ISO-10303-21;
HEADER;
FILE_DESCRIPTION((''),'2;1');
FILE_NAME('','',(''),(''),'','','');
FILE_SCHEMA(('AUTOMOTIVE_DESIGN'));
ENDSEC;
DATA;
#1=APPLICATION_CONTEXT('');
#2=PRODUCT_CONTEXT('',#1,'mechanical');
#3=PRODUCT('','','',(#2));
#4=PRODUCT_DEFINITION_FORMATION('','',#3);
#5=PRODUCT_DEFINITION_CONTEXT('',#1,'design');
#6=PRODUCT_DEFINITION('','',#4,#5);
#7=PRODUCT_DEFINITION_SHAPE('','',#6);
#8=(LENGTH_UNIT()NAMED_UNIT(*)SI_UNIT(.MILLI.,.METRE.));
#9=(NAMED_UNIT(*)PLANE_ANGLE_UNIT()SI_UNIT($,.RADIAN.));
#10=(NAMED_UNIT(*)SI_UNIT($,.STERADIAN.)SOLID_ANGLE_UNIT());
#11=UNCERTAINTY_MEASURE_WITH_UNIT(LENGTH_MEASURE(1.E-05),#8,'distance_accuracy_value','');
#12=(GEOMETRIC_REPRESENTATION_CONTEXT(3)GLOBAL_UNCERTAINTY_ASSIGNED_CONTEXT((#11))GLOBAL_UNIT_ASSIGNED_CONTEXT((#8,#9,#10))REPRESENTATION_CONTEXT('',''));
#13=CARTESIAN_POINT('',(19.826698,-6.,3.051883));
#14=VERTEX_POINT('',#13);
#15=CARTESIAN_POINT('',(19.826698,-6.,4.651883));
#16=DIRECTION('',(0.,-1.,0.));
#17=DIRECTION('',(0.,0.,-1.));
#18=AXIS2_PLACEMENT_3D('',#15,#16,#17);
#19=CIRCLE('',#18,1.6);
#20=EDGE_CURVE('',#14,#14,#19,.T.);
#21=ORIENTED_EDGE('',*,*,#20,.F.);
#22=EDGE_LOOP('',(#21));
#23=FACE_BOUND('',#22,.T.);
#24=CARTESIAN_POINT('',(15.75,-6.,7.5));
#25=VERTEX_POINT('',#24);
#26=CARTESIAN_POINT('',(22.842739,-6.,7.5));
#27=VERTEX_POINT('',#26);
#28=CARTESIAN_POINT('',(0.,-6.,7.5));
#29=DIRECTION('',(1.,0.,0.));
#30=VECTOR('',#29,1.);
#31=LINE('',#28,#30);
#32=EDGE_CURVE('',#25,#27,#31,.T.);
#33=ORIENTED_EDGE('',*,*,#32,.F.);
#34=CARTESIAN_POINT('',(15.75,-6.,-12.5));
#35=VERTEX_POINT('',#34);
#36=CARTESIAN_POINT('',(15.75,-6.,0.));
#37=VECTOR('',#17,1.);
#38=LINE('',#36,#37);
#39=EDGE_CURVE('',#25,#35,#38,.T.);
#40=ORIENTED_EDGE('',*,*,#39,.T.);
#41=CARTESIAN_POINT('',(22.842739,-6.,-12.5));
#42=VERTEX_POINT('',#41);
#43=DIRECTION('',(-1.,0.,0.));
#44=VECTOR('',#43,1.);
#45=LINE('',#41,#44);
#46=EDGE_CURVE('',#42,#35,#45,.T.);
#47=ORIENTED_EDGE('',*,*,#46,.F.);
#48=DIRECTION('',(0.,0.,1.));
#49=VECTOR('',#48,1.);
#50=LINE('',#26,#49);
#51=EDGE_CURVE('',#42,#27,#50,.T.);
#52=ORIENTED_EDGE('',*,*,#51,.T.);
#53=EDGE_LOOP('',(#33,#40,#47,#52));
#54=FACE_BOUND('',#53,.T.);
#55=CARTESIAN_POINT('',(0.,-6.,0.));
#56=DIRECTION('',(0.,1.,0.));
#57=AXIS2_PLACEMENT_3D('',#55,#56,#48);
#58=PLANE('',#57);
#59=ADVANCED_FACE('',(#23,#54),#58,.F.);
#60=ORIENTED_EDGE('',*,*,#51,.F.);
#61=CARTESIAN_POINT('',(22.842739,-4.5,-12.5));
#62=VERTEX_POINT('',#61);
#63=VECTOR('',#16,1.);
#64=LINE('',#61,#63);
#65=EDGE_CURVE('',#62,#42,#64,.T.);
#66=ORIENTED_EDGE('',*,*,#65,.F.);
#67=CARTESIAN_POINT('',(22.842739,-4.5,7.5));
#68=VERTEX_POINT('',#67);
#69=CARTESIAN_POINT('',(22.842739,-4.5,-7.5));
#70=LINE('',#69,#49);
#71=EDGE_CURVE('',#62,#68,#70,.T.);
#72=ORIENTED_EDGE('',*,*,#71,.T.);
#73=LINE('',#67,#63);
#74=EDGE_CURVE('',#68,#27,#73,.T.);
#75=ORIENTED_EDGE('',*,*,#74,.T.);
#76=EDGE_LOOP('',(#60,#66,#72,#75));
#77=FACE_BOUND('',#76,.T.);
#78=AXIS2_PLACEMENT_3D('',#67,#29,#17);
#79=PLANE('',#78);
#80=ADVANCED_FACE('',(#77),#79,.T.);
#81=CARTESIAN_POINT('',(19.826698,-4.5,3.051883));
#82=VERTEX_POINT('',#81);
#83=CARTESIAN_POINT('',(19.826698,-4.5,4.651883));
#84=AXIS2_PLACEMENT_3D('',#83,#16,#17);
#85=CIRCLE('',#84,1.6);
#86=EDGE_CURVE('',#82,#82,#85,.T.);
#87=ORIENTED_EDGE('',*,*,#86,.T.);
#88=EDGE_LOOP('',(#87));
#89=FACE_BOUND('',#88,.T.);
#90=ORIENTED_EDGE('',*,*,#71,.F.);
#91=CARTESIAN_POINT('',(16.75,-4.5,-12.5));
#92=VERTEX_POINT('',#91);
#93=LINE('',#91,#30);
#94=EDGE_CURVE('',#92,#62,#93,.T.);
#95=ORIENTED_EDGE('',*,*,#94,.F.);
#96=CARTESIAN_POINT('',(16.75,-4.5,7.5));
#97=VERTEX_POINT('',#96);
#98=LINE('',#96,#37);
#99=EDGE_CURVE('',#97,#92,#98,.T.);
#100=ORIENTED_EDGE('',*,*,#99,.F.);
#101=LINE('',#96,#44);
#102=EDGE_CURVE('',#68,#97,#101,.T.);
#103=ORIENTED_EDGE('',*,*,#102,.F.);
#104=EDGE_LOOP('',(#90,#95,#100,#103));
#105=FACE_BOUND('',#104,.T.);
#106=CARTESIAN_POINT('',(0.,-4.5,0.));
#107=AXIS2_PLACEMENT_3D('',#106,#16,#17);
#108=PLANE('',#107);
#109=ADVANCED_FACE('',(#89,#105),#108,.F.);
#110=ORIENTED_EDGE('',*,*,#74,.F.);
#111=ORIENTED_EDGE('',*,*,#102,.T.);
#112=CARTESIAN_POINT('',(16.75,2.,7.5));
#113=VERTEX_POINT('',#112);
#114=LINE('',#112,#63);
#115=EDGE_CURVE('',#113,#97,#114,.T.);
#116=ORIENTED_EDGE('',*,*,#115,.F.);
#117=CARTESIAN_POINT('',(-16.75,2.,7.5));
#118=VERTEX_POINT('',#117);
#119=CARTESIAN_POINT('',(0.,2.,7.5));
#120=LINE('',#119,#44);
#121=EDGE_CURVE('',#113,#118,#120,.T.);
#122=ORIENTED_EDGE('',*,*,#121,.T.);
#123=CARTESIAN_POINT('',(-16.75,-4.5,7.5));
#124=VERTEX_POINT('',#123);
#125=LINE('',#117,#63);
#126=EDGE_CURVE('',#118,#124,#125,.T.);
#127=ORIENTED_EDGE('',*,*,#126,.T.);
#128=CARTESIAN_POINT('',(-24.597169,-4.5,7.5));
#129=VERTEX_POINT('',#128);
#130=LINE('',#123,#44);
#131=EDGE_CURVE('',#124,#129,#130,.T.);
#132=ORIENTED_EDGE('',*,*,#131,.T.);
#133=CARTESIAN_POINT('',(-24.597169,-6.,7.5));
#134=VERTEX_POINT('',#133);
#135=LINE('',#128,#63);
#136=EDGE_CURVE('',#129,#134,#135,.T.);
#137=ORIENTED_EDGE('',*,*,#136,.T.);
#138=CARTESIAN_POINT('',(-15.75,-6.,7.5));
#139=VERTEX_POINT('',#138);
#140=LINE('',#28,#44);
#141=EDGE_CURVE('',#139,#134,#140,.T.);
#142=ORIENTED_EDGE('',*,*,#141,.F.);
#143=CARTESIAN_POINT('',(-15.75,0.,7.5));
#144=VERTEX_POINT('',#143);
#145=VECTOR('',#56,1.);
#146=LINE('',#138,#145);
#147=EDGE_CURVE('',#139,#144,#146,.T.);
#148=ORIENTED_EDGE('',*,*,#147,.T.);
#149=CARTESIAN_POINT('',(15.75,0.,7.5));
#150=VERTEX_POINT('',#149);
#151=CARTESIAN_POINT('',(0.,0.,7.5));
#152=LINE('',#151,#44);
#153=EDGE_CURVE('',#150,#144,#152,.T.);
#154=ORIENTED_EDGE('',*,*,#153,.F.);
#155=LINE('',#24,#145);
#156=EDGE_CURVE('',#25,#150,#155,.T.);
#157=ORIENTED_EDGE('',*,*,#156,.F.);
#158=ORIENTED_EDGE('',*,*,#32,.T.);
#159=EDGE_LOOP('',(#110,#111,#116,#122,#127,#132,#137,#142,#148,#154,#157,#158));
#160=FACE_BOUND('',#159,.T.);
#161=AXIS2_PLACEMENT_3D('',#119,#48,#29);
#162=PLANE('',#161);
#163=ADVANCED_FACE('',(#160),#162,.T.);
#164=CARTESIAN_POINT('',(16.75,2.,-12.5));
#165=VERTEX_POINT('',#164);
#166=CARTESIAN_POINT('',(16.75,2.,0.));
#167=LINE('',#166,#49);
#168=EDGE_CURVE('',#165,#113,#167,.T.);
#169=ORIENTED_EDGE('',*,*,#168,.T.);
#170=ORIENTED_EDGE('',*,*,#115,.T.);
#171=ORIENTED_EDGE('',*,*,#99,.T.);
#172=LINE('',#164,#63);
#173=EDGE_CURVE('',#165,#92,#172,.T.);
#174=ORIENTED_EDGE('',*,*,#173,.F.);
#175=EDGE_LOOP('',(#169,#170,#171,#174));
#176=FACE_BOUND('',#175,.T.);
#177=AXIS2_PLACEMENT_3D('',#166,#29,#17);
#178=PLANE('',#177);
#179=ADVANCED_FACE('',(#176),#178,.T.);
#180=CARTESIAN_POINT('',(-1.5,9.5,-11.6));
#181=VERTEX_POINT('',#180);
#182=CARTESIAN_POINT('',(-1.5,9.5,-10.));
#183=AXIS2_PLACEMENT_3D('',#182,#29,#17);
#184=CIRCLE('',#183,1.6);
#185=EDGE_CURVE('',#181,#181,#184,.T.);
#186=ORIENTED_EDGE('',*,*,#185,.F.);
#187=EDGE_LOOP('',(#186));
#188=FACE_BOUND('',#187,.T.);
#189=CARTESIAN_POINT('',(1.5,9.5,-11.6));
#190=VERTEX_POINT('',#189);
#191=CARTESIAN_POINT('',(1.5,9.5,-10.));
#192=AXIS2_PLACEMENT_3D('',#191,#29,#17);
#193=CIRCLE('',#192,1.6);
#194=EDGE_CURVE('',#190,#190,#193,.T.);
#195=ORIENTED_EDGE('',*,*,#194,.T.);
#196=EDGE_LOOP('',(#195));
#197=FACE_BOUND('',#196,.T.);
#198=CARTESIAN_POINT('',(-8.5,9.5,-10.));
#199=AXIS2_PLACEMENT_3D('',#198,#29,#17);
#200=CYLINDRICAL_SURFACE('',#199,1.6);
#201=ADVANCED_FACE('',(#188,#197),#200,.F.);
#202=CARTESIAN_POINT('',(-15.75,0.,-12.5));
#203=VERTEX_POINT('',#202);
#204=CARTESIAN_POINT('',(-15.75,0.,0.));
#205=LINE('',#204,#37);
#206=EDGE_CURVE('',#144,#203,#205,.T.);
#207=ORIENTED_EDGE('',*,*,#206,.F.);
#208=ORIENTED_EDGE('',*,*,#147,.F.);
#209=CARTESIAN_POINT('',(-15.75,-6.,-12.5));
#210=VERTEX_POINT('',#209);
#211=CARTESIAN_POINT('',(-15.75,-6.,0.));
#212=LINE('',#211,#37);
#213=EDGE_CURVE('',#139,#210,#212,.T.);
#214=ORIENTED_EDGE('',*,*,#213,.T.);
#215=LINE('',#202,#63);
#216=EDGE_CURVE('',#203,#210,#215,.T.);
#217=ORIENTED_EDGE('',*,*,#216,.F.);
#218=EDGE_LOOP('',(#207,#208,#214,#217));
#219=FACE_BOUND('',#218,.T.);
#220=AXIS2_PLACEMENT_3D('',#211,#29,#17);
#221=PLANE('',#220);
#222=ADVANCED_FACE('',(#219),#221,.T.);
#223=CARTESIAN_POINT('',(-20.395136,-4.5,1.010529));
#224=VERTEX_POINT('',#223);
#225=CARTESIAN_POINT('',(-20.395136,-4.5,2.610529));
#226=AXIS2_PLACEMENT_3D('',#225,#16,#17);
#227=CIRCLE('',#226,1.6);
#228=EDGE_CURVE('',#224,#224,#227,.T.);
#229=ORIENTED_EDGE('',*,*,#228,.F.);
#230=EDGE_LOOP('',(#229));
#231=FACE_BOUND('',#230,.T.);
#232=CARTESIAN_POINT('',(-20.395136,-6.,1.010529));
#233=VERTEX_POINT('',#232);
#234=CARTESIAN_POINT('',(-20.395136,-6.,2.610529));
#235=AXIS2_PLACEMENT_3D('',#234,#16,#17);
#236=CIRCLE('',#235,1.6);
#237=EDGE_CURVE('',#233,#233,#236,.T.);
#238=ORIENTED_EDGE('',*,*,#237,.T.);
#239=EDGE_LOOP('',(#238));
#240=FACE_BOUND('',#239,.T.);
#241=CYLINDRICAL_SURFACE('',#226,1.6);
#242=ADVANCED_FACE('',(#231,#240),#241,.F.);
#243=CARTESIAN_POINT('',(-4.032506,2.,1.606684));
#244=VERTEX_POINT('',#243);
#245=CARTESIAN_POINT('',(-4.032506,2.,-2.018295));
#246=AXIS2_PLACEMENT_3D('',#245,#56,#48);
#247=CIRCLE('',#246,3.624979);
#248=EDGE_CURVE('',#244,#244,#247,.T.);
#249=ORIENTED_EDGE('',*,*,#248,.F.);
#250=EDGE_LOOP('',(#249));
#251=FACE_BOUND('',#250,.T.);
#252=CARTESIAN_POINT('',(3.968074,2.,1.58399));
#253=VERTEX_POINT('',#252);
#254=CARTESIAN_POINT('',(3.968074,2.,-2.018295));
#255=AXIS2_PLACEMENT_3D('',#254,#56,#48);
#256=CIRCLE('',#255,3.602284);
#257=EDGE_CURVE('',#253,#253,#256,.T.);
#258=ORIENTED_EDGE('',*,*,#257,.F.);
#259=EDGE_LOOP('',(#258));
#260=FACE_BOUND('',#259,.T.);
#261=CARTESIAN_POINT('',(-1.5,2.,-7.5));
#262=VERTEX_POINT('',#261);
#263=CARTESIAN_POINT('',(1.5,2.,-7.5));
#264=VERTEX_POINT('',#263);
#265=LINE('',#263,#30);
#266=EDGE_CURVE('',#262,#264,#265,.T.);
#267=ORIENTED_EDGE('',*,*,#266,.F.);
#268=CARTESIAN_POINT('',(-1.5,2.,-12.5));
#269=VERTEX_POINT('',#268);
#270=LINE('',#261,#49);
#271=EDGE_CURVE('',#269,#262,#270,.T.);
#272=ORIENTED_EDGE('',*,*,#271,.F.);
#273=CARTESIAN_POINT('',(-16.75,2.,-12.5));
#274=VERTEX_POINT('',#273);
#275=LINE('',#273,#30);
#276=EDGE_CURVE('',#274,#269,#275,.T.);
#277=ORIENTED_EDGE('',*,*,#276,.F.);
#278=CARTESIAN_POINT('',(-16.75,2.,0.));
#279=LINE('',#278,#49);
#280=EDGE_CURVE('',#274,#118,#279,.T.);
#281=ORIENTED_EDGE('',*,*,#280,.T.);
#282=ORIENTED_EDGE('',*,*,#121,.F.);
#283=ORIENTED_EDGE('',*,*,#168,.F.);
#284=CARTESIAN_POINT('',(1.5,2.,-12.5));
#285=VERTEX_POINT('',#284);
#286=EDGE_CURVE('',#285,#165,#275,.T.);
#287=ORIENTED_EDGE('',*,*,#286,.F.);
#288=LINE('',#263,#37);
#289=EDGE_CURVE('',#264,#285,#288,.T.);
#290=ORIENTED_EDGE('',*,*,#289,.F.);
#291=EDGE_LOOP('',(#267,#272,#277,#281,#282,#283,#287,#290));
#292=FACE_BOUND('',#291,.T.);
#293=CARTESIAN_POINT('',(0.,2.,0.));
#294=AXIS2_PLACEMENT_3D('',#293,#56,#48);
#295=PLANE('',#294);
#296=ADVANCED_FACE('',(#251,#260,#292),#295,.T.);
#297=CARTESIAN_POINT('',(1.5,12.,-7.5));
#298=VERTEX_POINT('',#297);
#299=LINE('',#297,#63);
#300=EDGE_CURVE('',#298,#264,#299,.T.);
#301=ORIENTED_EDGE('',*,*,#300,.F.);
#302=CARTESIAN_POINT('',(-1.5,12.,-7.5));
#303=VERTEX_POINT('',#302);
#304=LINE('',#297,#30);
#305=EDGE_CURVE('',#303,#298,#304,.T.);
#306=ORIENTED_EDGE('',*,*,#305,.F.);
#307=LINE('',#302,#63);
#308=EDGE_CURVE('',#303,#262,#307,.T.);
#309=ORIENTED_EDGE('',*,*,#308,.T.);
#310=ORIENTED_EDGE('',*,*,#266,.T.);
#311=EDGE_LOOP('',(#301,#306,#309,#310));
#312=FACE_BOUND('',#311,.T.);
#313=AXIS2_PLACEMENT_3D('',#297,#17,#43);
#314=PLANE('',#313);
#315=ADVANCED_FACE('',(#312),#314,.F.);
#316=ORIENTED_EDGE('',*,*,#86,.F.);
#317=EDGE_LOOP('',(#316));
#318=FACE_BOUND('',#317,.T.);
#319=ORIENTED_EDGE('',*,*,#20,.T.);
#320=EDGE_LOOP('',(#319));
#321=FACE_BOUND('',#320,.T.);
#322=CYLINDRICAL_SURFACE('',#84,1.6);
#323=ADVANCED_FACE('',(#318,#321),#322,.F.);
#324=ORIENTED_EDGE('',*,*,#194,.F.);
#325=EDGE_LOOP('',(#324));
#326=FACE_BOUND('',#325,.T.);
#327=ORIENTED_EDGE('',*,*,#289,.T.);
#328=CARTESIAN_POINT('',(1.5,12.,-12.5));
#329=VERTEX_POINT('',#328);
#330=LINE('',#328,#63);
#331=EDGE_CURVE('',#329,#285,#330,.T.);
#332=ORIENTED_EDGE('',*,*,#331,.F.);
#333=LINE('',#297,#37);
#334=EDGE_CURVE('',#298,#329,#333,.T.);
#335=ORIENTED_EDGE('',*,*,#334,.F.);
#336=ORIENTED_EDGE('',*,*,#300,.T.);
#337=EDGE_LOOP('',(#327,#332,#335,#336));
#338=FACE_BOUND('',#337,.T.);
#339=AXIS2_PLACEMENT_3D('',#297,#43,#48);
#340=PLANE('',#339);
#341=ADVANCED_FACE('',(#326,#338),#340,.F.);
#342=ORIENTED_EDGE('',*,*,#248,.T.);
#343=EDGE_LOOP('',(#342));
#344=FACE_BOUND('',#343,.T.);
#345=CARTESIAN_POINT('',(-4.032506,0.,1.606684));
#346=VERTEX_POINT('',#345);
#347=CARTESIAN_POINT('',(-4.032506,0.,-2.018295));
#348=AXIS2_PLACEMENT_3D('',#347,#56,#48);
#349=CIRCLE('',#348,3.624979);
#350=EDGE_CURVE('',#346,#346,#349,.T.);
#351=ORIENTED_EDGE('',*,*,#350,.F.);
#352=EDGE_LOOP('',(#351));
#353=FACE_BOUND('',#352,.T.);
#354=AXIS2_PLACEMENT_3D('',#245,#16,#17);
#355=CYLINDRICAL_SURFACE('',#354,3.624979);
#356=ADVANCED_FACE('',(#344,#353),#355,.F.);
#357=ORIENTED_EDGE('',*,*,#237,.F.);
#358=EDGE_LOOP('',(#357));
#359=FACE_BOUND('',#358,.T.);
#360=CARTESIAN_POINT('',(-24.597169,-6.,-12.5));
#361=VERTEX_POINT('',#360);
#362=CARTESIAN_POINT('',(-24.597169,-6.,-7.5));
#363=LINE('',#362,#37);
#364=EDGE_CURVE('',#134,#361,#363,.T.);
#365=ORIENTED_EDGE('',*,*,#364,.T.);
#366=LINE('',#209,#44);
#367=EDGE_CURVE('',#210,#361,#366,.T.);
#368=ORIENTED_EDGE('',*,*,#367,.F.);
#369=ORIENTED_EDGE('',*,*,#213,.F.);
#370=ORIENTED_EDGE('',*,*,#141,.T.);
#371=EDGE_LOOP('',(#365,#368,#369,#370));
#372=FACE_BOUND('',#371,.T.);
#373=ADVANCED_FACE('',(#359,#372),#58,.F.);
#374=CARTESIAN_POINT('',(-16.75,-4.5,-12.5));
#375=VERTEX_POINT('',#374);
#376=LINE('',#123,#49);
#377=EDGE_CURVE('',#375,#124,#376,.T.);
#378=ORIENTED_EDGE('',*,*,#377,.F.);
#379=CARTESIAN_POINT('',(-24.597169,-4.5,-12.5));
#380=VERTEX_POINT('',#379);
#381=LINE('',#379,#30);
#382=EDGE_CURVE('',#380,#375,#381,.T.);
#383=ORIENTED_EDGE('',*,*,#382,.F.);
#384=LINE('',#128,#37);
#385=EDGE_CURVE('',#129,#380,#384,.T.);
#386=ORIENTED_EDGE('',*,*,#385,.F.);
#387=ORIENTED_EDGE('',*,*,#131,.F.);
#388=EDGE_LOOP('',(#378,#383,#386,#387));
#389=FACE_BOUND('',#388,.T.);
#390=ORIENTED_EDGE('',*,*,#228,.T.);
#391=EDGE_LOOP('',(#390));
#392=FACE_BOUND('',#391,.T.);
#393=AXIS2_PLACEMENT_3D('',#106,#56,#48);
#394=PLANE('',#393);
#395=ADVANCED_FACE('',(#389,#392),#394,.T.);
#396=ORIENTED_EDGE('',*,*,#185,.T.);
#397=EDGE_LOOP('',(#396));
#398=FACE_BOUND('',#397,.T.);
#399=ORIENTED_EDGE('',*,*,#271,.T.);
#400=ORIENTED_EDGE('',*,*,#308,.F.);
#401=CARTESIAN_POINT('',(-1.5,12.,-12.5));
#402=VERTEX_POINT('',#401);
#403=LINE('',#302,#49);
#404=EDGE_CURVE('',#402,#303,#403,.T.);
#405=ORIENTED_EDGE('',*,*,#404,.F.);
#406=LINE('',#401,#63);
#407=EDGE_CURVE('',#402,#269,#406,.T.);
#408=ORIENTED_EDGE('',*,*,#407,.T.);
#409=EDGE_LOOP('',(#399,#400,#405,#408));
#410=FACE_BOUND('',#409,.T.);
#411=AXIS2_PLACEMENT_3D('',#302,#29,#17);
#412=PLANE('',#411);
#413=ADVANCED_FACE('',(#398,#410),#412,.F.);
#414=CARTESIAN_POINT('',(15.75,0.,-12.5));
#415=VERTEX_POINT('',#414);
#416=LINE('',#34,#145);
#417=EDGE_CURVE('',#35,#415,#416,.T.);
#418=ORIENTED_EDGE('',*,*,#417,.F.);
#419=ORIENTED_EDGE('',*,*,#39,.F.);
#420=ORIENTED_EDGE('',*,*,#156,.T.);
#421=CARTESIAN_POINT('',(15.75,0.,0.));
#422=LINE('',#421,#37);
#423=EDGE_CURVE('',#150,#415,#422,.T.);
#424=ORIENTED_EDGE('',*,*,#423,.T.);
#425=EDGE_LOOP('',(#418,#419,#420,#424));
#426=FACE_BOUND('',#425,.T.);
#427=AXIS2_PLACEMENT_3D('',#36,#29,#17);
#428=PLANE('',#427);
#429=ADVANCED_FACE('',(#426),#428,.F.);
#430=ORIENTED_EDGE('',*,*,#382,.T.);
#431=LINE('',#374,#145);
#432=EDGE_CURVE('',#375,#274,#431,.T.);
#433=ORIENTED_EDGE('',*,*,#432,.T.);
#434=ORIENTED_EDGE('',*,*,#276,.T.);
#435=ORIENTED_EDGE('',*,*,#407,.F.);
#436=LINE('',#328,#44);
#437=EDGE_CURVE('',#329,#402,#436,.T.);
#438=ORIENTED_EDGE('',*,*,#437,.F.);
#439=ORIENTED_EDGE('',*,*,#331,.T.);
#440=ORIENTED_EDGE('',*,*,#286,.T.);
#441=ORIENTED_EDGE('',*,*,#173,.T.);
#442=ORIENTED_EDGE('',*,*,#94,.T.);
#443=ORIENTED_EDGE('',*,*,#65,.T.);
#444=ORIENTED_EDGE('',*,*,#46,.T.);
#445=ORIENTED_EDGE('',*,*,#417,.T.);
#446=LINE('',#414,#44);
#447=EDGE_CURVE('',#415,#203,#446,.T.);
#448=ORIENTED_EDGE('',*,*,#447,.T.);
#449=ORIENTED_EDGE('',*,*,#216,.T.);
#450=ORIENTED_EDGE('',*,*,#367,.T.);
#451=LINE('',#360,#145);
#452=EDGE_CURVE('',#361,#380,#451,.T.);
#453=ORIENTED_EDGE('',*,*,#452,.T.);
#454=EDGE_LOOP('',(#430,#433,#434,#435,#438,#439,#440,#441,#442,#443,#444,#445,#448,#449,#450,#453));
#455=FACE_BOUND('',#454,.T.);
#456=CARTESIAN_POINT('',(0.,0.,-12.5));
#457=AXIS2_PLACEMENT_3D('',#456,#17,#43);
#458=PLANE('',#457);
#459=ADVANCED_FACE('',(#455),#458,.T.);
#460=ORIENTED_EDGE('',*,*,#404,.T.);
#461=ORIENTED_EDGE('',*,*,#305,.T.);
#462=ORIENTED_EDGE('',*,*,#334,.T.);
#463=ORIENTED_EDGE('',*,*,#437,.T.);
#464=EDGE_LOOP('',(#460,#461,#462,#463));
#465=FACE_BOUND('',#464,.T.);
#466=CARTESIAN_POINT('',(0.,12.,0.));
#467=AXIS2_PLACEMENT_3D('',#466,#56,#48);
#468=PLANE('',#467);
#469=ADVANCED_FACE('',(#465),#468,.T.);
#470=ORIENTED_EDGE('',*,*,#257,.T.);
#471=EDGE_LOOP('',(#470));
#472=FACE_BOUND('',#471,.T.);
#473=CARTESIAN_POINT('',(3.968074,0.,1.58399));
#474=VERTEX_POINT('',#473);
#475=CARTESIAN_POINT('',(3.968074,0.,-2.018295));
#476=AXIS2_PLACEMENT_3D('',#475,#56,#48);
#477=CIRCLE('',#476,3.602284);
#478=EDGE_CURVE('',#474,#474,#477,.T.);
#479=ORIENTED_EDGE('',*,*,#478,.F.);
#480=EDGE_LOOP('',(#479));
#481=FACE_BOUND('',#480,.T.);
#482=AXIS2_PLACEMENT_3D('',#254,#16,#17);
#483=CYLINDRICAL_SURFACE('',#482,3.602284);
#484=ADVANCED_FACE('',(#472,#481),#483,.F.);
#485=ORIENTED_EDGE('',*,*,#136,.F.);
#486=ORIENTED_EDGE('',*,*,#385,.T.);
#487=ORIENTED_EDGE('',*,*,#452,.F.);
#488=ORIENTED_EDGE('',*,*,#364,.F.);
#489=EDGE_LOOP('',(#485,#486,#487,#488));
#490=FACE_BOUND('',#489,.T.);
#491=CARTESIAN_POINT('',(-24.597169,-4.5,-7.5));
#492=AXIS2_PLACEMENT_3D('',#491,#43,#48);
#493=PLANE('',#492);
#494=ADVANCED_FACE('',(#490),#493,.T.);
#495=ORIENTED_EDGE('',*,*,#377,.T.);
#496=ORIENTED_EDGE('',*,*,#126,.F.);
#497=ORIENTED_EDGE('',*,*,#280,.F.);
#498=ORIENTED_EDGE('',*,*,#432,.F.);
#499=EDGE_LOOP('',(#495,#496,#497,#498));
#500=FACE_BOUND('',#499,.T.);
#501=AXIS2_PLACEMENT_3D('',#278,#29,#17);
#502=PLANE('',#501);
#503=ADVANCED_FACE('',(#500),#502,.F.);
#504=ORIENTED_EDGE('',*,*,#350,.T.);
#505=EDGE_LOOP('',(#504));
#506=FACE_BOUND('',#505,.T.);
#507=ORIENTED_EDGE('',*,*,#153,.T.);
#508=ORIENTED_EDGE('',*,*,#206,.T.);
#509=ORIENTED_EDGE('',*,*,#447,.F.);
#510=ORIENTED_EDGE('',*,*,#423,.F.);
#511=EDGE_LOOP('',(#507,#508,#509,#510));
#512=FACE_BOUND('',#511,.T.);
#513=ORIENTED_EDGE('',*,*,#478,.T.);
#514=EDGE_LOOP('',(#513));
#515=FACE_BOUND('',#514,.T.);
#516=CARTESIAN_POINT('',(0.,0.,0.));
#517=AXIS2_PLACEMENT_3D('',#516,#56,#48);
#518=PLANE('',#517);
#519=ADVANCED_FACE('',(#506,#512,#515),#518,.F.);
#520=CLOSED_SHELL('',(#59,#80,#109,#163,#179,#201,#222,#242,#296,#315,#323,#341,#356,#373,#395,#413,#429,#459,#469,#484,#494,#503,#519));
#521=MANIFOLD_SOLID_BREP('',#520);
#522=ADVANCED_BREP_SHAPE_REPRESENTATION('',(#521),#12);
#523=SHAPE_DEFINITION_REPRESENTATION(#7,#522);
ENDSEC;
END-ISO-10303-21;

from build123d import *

# Parameters (mm, degrees)
SKETCH_1_W          = 33.5
SKETCH_1_H          = 15
SKETCH_1_R          = 3.624978968
SKETCH_1_R_2        = 3.60228421
EXTRUDE_1_DEPTH     = 2
SKETCH_1_3_W        = 1
SKETCH_1_3_H        = 15
EXTRUDE_2_DEPTH     = 6
SKETCH_2_R          = 1.6
EXTRUDE_3_DEPTH     = 1.5
EXTRUDE_4_DEPTH     = 5
SKETCH_4_W          = 3
SKETCH_4_H          = 5
EXTRUDE_5_DEPTH     = 10
SKETCH_5_R          = 1.6
CUT_EXTRUDE_1_DEPTH = 10


with BuildPart() as part:
    # 草图1 → 凸台-拉伸1 (new body)
    with BuildSketch(Plane(origin=(0, 0, 0), x_dir=(1, 0, 0), z_dir=(0, 1, 0))):
        Rectangle(SKETCH_1_W, SKETCH_1_H)
        with Locations((-4.032505812, 2.018294601)):
            Circle(SKETCH_1_R, mode=Mode.SUBTRACT)
        with Locations((3.968074022, 2.018294601)):
            Circle(SKETCH_1_R_2, mode=Mode.SUBTRACT)
    extrude(amount=EXTRUDE_1_DEPTH)

    # 草图1<3> → 凸台-拉伸2 (add)
    with BuildSketch(Plane(origin=(0, 0, 0), x_dir=(1, 0, 0), z_dir=(0, 1, 0))):
        with Locations((16.25, 0)):
            Rectangle(SKETCH_1_3_W, SKETCH_1_3_H)
        with Locations((-16.25, 0)):
            Rectangle(SKETCH_1_3_W, SKETCH_1_3_H)
    extrude(amount=-EXTRUDE_2_DEPTH)

    # 草图2 → 凸台-拉伸3 (add)
    # profile 1 of 2: a face of its own
    with BuildSketch(Plane.XZ.offset(6)):
        Polygon((-16.75, -7.5), (-24.597168746, -7.5), (-24.597168746, 0), (-24.597168746, 7.5), (-16.75, 7.5), (-16.75, 0), align=None)
        with Locations((-20.395135673, 2.61052916)):
            Circle(SKETCH_2_R, mode=Mode.SUBTRACT)
    # profile 2 of 2: a face of its own
    with BuildSketch(Plane.XZ.offset(6)):
        Polygon((16.75, 7.5), (22.842739313, 7.5), (22.842739313, 0), (22.842739313, -7.5), (16.75, -7.5), (16.75, 0), align=None)
        with Locations((19.826698125, 4.651883457)):
            Circle(SKETCH_2_R, mode=Mode.SUBTRACT)
    extrude(amount=-EXTRUDE_3_DEPTH)

    # 草图3 → 凸台-拉伸4 (add)
    with BuildSketch(Plane(origin=(0, 0, -7.5), x_dir=(-1, 0, 0), z_dir=(0, 0, -1))):
        Polygon((-16.75, 2), (-16.75, -4.5), (-22.842739313, -4.5), (-22.842739313, -6), (-15.75, -6), (-15.75, 0), (15.75, 0), (15.75, -6), (24.597168746, -6), (24.597168746, -4.5), (16.75, -4.5), (16.75, 2), align=None)
    extrude(amount=EXTRUDE_4_DEPTH)

    # 草图4 → 凸台-拉伸5 (add)
    with BuildSketch(Plane(origin=(0, 2, 0), x_dir=(1, 0, 0), z_dir=(0, 1, 0))):
        with Locations((0, 10)):
            Rectangle(SKETCH_4_W, SKETCH_4_H)
    extrude(amount=EXTRUDE_5_DEPTH)

    # 草图5 → 切除-拉伸1 (cut)
    with BuildSketch(Plane(origin=(1.5, 0, 0), x_dir=(0, 0, -1), z_dir=(1, 0, 0))):
        with Locations((10, 9.5)):
            Circle(SKETCH_5_R)
    extrude(amount=-CUT_EXTRUDE_1_DEPTH, mode=Mode.SUBTRACT)


solid = part.part
